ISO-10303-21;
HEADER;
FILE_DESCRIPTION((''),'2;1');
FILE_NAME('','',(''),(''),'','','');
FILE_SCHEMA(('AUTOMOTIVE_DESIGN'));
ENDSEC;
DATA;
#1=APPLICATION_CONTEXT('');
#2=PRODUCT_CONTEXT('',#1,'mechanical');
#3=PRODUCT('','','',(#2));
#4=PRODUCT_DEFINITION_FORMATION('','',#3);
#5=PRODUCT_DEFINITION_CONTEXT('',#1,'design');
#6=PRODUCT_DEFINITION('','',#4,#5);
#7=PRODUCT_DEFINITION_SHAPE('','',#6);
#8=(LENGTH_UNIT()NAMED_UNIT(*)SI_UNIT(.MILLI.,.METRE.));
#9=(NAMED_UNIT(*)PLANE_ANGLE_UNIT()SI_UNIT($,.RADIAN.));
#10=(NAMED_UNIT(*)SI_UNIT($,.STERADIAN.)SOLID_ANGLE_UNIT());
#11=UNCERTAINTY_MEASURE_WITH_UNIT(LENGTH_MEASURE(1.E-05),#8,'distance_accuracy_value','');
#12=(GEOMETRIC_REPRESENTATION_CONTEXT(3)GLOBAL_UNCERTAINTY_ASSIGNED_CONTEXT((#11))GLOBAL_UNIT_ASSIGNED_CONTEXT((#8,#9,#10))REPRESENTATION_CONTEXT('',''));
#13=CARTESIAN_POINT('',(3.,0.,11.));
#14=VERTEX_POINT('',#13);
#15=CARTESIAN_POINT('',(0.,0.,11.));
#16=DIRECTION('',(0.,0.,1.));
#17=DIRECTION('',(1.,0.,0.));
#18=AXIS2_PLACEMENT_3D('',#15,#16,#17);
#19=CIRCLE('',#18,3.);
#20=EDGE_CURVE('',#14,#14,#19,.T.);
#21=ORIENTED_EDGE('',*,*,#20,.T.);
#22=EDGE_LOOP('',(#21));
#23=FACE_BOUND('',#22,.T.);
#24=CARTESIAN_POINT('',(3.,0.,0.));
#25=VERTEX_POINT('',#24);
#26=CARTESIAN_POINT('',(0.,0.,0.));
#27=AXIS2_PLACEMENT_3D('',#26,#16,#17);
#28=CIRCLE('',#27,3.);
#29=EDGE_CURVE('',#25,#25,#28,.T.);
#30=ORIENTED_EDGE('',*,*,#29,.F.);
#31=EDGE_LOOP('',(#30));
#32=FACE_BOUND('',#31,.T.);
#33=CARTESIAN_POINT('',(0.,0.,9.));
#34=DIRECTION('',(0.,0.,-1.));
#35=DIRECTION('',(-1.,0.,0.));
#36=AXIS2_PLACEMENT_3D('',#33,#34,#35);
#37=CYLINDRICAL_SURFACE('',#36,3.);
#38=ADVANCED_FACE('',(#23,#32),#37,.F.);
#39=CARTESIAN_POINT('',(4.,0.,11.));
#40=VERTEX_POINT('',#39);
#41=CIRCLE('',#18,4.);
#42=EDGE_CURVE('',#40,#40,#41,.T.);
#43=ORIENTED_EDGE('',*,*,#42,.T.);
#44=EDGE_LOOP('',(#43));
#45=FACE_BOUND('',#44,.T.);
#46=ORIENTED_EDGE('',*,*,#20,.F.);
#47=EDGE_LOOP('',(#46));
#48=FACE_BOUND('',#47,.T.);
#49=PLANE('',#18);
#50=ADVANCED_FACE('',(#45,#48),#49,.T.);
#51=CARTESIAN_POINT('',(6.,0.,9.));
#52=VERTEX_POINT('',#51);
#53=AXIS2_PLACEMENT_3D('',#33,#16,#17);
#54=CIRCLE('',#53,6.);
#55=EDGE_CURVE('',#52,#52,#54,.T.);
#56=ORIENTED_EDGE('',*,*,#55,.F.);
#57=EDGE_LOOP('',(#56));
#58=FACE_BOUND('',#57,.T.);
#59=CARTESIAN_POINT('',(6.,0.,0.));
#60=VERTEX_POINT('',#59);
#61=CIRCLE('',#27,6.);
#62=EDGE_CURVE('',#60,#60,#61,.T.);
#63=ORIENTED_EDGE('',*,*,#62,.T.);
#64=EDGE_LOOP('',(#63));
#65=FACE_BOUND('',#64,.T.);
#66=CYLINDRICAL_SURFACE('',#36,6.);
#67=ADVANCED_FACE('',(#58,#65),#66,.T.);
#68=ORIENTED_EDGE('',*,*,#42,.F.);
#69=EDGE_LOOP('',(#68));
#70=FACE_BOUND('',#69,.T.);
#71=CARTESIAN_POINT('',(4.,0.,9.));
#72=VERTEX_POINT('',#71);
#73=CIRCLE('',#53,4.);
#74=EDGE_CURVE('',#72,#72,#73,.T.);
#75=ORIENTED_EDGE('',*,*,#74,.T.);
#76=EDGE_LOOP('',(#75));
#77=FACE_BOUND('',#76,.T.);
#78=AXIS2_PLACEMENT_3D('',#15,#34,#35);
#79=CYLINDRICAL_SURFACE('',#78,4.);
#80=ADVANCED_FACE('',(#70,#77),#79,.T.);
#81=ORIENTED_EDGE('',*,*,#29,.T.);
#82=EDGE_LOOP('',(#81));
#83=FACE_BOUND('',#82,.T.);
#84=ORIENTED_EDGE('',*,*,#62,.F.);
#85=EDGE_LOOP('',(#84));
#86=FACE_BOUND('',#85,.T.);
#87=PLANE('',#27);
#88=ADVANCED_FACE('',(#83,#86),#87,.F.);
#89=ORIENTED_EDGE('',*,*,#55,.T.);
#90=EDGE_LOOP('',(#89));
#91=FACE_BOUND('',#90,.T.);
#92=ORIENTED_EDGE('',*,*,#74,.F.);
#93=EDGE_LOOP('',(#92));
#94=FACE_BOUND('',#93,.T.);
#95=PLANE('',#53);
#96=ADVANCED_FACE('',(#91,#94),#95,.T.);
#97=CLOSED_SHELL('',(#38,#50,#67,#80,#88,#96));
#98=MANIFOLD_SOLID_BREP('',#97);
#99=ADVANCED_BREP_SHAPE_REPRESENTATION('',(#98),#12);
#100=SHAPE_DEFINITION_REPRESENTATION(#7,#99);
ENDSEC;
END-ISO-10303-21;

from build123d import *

# Parameters (mm, degrees)
SKETCH_1_R      = 6
SKETCH_1_R_2    = 3
EXTRUDE_1_DEPTH = 9
SKETCH_2_R      = 4
SKETCH_2_R_2    = 3
EXTRUDE_2_DEPTH = 2


with BuildPart() as part:
    # 草图1 → 凸台-拉伸1 (new body)
    with BuildSketch(Plane.XY):
        Circle(SKETCH_1_R)
        Circle(SKETCH_1_R_2, mode=Mode.SUBTRACT)
    extrude(amount=EXTRUDE_1_DEPTH)

    # 草图2 → 凸台-拉伸2 (add)
    with BuildSketch(Plane.XY.offset(9)):
        Circle(SKETCH_2_R)
        Circle(SKETCH_2_R_2, mode=Mode.SUBTRACT)
    extrude(amount=EXTRUDE_2_DEPTH)


solid = part.part
